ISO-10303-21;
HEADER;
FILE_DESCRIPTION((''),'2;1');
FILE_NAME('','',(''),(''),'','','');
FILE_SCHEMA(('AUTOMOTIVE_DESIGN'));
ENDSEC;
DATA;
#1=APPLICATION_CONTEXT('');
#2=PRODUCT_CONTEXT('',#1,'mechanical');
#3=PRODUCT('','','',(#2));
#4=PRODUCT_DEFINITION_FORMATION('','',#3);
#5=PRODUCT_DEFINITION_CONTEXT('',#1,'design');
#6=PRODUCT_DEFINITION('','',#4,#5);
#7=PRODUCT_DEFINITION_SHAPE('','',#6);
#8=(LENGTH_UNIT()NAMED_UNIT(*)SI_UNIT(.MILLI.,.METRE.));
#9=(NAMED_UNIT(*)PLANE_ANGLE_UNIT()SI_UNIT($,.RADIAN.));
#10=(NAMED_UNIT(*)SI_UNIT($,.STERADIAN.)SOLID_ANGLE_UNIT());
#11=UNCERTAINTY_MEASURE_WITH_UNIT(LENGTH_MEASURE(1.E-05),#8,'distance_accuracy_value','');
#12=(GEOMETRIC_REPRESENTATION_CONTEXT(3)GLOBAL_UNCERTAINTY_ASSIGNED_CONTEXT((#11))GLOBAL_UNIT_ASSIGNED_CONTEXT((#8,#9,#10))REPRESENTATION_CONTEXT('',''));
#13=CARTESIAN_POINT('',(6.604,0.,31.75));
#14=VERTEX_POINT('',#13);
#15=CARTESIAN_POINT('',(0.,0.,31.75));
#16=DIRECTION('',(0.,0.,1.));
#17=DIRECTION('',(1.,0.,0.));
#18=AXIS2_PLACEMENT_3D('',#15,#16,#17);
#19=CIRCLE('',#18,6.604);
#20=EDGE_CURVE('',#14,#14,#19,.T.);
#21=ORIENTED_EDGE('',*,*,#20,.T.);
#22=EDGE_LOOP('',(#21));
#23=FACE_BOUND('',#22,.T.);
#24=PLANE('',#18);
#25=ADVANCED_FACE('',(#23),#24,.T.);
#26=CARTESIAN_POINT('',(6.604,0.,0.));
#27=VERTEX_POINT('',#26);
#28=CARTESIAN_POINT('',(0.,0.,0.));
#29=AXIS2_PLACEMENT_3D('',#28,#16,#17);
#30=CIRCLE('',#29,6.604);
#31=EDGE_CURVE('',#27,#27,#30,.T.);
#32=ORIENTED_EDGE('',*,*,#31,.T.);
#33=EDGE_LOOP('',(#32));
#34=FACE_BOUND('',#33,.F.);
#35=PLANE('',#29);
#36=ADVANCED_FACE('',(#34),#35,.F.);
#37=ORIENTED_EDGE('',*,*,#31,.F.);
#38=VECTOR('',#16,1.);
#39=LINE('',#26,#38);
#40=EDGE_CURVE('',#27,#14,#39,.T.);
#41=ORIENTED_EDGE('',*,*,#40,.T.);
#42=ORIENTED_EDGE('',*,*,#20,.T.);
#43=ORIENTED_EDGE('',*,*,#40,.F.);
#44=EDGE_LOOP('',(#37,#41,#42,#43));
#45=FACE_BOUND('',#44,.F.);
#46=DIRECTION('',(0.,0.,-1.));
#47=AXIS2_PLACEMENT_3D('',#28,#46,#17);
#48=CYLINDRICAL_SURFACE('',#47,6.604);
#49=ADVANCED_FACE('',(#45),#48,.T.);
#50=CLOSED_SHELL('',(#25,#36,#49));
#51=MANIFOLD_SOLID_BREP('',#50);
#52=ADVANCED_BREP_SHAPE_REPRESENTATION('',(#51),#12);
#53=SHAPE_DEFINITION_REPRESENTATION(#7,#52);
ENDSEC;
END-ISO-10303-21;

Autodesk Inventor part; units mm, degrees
ref_plane "YZ Plane" through (0, 0, 0) normal (1, 0, 0) x (0, 1, 0)
ref_plane "XZ Plane" through (0, 0, 0) normal (0, 1, 0) x (-1, 0, 0)
ref_plane "XY Plane" through (0, 0, 0) normal (0, 0, 1) x (1, 0, 0)
sketch "Sketch1" plane through (0, 0, 0) normal (0, 0, 1) x (1, 0, 0)
  circle A0 centre (0, 0) radius 6.604
  dimension "d0" = 13.208
extrude "Extrusion1" add sketch "Sketch1" along normal blind 31.75
properties part number "jointV0"
